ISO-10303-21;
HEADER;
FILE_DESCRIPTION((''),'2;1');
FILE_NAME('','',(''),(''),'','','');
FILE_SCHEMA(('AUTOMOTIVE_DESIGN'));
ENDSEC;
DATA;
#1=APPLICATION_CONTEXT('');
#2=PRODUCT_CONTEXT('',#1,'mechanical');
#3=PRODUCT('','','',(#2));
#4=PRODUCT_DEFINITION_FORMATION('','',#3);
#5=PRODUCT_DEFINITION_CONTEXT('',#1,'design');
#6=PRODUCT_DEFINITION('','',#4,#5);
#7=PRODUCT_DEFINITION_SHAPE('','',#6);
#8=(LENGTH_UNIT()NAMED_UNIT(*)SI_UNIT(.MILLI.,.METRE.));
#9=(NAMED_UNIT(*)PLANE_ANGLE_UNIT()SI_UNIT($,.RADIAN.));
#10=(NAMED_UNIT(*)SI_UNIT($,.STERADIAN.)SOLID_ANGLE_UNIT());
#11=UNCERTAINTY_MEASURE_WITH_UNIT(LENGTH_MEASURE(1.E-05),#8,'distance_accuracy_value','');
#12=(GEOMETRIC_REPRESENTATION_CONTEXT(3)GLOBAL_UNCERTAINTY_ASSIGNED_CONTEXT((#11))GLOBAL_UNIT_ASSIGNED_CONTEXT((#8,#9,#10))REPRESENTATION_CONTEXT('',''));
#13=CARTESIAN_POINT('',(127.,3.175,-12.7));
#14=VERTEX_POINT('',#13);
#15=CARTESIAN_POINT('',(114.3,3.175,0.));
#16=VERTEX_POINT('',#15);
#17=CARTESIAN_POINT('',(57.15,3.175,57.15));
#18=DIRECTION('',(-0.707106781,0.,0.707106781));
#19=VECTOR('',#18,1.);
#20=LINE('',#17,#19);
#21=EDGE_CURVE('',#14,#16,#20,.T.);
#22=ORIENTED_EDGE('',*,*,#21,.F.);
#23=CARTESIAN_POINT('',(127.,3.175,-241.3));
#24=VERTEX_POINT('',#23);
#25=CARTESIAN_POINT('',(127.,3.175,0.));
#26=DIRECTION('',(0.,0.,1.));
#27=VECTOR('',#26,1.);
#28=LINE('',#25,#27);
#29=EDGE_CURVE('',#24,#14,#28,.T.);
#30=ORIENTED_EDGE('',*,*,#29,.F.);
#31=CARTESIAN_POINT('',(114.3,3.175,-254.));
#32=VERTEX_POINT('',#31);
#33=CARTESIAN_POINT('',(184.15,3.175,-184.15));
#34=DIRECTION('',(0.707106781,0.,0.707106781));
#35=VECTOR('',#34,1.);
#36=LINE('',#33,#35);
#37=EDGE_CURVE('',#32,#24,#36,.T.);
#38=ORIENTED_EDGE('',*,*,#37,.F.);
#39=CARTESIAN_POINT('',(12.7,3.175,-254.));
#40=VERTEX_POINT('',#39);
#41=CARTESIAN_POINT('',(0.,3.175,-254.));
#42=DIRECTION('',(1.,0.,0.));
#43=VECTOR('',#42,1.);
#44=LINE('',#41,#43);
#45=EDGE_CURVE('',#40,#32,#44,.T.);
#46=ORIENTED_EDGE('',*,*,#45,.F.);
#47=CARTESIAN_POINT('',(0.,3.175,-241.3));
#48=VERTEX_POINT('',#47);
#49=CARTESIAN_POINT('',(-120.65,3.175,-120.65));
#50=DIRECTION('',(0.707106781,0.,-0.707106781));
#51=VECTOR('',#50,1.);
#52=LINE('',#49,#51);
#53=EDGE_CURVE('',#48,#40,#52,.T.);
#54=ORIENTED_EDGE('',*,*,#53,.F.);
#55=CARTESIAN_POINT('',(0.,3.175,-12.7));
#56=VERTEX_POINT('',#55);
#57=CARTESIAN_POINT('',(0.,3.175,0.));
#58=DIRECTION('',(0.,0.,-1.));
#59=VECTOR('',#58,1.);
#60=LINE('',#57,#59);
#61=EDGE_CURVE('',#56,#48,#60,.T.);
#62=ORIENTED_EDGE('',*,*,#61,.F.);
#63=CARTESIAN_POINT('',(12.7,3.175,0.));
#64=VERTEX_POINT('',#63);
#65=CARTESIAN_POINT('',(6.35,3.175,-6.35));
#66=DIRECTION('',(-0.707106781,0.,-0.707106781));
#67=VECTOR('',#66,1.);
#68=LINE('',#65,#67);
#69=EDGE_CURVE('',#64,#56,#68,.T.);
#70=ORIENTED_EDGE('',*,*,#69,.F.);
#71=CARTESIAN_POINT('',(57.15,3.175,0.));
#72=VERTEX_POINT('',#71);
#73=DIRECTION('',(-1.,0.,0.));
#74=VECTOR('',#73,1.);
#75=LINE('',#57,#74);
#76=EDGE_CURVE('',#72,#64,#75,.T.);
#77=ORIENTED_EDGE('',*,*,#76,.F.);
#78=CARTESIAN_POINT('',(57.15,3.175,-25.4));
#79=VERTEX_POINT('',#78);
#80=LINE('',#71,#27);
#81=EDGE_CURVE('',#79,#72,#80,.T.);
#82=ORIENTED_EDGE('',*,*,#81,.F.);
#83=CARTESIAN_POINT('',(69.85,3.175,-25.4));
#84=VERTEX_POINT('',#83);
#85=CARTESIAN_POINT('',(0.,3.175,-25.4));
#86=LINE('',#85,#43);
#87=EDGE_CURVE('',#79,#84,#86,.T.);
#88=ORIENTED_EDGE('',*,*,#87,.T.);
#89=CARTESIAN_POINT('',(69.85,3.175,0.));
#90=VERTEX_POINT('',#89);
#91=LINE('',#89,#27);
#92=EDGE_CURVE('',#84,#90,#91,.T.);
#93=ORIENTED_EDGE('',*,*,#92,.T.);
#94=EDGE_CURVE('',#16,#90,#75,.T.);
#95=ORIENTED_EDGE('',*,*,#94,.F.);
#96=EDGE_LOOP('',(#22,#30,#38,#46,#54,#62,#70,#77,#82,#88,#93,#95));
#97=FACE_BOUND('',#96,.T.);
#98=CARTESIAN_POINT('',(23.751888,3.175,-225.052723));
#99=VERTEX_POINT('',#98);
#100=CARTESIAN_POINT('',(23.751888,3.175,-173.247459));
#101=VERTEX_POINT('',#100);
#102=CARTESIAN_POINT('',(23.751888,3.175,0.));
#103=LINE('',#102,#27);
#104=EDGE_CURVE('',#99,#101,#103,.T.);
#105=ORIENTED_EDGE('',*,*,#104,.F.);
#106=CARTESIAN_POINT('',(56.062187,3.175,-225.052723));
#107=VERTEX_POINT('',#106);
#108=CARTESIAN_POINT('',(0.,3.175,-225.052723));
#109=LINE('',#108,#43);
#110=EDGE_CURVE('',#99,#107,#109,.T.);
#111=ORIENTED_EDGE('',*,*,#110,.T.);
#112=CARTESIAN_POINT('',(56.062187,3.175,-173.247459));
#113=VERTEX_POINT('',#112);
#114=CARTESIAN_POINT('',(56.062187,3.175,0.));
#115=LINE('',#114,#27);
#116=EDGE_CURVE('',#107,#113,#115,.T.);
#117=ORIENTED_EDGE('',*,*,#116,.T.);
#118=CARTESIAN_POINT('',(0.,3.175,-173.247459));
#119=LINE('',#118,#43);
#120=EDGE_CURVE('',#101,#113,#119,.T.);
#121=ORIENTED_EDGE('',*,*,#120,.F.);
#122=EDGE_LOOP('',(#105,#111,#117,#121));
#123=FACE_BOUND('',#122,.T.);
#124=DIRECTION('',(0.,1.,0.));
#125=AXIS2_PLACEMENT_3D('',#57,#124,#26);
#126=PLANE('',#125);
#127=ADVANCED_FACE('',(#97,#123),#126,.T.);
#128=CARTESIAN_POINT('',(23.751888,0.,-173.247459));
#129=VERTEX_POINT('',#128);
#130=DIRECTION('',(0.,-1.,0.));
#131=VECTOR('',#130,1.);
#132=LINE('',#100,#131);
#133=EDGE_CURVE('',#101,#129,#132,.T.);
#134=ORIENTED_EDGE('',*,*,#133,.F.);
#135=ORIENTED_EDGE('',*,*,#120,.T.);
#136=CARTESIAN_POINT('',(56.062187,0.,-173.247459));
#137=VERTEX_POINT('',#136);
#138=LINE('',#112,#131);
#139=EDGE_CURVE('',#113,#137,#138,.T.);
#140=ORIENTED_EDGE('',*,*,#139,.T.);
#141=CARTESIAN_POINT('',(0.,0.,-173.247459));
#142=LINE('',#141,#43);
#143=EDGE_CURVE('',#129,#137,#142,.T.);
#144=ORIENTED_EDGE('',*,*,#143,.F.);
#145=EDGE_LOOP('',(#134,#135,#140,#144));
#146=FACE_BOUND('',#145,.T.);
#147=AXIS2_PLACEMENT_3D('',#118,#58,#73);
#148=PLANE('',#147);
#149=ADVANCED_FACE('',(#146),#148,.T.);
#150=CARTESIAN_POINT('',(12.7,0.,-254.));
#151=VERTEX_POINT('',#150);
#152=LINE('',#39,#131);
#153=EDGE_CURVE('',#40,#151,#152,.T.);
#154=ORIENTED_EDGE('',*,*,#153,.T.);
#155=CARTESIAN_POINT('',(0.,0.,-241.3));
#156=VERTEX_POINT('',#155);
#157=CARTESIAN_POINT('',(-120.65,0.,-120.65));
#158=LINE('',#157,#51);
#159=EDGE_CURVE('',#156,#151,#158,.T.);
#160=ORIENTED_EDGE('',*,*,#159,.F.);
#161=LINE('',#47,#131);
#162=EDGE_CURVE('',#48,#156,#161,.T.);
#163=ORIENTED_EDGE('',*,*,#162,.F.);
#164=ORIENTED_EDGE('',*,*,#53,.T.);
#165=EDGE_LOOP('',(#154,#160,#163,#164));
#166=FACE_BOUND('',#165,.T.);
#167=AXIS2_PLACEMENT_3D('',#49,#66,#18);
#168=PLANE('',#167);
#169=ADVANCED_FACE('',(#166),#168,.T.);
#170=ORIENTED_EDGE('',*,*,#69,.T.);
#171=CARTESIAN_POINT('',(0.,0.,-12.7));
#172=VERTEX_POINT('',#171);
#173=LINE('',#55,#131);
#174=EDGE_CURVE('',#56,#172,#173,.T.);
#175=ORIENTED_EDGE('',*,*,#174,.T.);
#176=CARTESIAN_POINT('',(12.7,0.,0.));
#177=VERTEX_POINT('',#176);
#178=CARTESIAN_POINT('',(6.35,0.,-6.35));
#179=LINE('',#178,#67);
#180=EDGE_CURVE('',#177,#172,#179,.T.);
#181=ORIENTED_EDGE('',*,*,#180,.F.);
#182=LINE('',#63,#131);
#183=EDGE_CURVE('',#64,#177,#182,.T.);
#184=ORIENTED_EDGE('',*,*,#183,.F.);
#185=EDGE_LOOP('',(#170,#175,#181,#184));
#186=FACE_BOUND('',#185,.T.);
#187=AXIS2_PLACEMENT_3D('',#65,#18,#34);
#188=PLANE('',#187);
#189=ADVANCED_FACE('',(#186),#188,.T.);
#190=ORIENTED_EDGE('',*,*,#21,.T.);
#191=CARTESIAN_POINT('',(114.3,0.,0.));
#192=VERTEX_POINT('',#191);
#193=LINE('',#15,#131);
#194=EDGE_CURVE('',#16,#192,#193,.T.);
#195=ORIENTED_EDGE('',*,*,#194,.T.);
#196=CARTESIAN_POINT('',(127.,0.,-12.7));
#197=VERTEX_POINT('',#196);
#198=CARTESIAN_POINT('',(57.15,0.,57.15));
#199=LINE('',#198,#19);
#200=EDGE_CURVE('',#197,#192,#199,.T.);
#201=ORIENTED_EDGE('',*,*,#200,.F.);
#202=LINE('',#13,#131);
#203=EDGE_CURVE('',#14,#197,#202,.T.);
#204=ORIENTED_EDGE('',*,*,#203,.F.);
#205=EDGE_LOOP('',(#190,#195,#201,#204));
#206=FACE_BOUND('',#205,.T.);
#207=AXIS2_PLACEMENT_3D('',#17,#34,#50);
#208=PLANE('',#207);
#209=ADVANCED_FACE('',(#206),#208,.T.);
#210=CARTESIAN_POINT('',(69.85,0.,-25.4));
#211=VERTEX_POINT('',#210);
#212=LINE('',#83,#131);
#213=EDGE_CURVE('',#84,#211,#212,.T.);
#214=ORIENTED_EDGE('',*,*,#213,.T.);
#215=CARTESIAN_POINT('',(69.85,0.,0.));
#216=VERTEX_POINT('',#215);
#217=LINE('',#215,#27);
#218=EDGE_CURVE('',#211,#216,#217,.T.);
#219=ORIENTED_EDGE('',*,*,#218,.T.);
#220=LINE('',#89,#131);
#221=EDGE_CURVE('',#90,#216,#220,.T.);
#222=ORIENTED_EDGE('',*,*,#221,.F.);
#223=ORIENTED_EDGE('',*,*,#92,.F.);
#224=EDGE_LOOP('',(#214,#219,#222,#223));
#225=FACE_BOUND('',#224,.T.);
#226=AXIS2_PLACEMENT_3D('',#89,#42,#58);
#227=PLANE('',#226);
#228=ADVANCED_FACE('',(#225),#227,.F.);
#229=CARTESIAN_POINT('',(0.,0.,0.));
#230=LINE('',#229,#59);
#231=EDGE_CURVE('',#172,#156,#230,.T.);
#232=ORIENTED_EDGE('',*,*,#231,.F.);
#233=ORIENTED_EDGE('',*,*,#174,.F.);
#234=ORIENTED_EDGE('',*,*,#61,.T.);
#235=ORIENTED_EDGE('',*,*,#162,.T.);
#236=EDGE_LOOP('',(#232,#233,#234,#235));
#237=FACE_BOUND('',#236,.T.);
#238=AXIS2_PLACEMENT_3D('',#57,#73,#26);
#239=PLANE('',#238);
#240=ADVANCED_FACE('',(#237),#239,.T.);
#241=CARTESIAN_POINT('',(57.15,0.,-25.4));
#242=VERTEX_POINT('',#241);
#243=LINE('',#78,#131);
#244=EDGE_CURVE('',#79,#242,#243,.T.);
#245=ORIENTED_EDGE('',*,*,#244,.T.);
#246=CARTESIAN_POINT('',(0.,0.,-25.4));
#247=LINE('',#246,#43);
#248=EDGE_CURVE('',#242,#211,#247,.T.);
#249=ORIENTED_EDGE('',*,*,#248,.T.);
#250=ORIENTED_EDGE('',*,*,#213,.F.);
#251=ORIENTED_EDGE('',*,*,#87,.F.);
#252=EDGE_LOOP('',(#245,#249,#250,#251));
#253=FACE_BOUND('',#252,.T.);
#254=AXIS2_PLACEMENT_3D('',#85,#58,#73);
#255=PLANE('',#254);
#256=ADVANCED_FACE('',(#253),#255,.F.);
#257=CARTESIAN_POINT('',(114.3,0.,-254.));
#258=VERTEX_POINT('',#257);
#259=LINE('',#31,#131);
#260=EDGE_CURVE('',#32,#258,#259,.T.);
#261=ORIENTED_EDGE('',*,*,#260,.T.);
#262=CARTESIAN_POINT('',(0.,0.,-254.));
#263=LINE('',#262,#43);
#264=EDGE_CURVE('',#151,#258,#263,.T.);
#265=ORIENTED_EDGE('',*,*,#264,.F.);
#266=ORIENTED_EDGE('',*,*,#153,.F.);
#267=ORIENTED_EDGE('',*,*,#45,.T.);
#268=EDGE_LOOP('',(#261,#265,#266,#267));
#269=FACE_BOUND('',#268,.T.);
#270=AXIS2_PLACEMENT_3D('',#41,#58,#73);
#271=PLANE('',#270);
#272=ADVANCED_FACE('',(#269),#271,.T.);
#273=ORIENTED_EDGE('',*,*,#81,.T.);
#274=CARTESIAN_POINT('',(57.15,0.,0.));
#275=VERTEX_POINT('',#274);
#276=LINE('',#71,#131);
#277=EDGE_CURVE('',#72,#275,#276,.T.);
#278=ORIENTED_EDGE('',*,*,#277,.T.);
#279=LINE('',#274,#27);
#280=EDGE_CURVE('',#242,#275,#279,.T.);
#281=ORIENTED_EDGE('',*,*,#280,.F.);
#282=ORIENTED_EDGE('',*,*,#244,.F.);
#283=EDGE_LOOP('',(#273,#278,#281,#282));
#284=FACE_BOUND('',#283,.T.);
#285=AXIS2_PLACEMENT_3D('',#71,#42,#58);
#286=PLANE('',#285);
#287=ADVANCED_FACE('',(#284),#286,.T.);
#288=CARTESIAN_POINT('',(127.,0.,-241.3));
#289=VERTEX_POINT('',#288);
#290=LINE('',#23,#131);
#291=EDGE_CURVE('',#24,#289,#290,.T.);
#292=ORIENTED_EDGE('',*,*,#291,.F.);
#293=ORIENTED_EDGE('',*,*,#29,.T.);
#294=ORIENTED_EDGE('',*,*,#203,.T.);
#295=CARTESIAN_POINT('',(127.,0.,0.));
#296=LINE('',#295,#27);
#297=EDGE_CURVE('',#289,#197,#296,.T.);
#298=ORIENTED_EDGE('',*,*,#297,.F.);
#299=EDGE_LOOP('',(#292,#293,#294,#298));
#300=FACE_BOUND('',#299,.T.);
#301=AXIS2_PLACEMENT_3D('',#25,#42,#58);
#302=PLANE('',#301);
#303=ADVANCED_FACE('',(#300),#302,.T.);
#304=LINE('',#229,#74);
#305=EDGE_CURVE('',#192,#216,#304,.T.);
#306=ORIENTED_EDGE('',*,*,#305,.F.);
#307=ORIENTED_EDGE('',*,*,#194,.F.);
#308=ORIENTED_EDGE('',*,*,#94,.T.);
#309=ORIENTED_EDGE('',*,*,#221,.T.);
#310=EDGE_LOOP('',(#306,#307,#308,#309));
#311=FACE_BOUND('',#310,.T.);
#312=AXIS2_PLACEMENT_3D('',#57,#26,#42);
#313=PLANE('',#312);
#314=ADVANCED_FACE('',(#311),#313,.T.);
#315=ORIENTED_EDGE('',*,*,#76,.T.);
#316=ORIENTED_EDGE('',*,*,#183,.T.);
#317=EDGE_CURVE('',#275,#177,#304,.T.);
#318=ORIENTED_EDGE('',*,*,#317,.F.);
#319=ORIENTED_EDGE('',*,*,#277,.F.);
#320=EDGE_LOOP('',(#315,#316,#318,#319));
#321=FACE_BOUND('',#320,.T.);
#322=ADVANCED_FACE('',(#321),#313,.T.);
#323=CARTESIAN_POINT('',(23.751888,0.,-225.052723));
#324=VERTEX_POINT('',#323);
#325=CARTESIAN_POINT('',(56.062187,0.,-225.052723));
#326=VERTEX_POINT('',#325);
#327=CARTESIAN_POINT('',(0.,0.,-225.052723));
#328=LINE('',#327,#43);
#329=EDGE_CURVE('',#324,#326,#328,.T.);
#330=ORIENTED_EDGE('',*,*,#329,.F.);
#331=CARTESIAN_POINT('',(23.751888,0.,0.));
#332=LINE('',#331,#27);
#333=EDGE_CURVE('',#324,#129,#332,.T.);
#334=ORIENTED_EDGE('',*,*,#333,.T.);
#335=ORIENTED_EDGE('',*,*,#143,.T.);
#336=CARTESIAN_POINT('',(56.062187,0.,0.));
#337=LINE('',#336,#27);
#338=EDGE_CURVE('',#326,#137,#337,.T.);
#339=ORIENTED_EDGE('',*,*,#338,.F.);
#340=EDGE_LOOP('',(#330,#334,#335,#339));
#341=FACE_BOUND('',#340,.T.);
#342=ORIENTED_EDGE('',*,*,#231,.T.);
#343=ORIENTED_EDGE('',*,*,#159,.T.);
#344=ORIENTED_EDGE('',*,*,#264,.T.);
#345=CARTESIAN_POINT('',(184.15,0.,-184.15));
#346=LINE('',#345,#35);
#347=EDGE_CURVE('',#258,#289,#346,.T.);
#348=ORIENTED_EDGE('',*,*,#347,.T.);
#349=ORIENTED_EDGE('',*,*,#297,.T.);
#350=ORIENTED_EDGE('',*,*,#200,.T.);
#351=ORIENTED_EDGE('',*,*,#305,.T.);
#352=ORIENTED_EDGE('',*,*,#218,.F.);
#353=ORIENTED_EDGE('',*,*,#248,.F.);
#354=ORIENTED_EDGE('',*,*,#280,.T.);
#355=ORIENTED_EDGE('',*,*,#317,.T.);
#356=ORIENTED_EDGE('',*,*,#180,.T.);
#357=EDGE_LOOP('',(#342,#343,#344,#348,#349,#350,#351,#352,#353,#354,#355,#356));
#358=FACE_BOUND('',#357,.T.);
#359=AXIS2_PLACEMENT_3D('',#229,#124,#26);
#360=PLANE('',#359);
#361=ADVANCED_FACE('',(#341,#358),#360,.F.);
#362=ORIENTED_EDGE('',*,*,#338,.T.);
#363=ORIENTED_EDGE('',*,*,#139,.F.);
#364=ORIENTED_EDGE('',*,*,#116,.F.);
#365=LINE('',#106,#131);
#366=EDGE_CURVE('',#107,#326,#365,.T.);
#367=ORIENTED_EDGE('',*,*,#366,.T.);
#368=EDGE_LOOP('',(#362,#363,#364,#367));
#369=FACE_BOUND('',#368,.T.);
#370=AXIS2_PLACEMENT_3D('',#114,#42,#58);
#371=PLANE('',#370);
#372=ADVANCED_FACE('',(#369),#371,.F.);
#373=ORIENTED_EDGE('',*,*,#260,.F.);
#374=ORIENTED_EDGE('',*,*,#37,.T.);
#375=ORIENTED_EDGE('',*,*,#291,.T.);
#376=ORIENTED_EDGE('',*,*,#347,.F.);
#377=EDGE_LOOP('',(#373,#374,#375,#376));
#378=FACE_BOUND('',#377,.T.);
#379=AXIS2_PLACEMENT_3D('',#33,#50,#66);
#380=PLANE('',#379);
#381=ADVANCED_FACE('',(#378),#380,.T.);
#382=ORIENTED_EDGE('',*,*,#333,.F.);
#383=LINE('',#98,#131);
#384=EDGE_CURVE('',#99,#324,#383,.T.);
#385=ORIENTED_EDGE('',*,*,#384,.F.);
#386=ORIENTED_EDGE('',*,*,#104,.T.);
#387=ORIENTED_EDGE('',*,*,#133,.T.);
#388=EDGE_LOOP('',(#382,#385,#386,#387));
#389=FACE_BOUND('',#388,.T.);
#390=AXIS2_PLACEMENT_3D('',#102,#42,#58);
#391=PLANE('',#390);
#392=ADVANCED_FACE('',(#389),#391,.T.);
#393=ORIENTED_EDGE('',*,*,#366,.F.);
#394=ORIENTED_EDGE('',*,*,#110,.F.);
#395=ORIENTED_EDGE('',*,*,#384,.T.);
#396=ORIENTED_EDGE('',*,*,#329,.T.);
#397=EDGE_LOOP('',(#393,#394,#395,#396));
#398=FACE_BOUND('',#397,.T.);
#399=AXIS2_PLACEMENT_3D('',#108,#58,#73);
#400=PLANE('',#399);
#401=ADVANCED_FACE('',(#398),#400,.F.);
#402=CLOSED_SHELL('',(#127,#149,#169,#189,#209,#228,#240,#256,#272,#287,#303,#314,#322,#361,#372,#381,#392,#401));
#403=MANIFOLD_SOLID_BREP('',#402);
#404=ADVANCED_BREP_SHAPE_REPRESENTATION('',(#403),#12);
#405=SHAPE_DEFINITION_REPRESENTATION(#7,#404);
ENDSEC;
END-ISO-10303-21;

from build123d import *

# Parameters (mm, degrees)
SKETCH2_W           = 32.310298855
SKETCH2_H           = 51.805263964
BOSS_EXTRUDE1_DEPTH = 3.175


with BuildPart() as part:
    # Sketch2 → Boss-Extrude1 (new body)
    with BuildSketch(Plane(origin=(0, 0, 0), x_dir=(1, 0, 0), z_dir=(0, 1, 0))):
        Polygon((0, 241.3), (0, 12.7), (12.7, 0), (57.15, 0), (57.15, 25.4), (69.85, 25.4), (69.85, 0), (114.3, 0), (127, 12.7), (127, 241.3), (114.3, 254), (12.7, 254), align=None)
        with Locations((39.907037714, 199.150091426)):
            Rectangle(SKETCH2_W, SKETCH2_H, mode=Mode.SUBTRACT)
    extrude(amount=BOSS_EXTRUDE1_DEPTH)


solid = part.part
